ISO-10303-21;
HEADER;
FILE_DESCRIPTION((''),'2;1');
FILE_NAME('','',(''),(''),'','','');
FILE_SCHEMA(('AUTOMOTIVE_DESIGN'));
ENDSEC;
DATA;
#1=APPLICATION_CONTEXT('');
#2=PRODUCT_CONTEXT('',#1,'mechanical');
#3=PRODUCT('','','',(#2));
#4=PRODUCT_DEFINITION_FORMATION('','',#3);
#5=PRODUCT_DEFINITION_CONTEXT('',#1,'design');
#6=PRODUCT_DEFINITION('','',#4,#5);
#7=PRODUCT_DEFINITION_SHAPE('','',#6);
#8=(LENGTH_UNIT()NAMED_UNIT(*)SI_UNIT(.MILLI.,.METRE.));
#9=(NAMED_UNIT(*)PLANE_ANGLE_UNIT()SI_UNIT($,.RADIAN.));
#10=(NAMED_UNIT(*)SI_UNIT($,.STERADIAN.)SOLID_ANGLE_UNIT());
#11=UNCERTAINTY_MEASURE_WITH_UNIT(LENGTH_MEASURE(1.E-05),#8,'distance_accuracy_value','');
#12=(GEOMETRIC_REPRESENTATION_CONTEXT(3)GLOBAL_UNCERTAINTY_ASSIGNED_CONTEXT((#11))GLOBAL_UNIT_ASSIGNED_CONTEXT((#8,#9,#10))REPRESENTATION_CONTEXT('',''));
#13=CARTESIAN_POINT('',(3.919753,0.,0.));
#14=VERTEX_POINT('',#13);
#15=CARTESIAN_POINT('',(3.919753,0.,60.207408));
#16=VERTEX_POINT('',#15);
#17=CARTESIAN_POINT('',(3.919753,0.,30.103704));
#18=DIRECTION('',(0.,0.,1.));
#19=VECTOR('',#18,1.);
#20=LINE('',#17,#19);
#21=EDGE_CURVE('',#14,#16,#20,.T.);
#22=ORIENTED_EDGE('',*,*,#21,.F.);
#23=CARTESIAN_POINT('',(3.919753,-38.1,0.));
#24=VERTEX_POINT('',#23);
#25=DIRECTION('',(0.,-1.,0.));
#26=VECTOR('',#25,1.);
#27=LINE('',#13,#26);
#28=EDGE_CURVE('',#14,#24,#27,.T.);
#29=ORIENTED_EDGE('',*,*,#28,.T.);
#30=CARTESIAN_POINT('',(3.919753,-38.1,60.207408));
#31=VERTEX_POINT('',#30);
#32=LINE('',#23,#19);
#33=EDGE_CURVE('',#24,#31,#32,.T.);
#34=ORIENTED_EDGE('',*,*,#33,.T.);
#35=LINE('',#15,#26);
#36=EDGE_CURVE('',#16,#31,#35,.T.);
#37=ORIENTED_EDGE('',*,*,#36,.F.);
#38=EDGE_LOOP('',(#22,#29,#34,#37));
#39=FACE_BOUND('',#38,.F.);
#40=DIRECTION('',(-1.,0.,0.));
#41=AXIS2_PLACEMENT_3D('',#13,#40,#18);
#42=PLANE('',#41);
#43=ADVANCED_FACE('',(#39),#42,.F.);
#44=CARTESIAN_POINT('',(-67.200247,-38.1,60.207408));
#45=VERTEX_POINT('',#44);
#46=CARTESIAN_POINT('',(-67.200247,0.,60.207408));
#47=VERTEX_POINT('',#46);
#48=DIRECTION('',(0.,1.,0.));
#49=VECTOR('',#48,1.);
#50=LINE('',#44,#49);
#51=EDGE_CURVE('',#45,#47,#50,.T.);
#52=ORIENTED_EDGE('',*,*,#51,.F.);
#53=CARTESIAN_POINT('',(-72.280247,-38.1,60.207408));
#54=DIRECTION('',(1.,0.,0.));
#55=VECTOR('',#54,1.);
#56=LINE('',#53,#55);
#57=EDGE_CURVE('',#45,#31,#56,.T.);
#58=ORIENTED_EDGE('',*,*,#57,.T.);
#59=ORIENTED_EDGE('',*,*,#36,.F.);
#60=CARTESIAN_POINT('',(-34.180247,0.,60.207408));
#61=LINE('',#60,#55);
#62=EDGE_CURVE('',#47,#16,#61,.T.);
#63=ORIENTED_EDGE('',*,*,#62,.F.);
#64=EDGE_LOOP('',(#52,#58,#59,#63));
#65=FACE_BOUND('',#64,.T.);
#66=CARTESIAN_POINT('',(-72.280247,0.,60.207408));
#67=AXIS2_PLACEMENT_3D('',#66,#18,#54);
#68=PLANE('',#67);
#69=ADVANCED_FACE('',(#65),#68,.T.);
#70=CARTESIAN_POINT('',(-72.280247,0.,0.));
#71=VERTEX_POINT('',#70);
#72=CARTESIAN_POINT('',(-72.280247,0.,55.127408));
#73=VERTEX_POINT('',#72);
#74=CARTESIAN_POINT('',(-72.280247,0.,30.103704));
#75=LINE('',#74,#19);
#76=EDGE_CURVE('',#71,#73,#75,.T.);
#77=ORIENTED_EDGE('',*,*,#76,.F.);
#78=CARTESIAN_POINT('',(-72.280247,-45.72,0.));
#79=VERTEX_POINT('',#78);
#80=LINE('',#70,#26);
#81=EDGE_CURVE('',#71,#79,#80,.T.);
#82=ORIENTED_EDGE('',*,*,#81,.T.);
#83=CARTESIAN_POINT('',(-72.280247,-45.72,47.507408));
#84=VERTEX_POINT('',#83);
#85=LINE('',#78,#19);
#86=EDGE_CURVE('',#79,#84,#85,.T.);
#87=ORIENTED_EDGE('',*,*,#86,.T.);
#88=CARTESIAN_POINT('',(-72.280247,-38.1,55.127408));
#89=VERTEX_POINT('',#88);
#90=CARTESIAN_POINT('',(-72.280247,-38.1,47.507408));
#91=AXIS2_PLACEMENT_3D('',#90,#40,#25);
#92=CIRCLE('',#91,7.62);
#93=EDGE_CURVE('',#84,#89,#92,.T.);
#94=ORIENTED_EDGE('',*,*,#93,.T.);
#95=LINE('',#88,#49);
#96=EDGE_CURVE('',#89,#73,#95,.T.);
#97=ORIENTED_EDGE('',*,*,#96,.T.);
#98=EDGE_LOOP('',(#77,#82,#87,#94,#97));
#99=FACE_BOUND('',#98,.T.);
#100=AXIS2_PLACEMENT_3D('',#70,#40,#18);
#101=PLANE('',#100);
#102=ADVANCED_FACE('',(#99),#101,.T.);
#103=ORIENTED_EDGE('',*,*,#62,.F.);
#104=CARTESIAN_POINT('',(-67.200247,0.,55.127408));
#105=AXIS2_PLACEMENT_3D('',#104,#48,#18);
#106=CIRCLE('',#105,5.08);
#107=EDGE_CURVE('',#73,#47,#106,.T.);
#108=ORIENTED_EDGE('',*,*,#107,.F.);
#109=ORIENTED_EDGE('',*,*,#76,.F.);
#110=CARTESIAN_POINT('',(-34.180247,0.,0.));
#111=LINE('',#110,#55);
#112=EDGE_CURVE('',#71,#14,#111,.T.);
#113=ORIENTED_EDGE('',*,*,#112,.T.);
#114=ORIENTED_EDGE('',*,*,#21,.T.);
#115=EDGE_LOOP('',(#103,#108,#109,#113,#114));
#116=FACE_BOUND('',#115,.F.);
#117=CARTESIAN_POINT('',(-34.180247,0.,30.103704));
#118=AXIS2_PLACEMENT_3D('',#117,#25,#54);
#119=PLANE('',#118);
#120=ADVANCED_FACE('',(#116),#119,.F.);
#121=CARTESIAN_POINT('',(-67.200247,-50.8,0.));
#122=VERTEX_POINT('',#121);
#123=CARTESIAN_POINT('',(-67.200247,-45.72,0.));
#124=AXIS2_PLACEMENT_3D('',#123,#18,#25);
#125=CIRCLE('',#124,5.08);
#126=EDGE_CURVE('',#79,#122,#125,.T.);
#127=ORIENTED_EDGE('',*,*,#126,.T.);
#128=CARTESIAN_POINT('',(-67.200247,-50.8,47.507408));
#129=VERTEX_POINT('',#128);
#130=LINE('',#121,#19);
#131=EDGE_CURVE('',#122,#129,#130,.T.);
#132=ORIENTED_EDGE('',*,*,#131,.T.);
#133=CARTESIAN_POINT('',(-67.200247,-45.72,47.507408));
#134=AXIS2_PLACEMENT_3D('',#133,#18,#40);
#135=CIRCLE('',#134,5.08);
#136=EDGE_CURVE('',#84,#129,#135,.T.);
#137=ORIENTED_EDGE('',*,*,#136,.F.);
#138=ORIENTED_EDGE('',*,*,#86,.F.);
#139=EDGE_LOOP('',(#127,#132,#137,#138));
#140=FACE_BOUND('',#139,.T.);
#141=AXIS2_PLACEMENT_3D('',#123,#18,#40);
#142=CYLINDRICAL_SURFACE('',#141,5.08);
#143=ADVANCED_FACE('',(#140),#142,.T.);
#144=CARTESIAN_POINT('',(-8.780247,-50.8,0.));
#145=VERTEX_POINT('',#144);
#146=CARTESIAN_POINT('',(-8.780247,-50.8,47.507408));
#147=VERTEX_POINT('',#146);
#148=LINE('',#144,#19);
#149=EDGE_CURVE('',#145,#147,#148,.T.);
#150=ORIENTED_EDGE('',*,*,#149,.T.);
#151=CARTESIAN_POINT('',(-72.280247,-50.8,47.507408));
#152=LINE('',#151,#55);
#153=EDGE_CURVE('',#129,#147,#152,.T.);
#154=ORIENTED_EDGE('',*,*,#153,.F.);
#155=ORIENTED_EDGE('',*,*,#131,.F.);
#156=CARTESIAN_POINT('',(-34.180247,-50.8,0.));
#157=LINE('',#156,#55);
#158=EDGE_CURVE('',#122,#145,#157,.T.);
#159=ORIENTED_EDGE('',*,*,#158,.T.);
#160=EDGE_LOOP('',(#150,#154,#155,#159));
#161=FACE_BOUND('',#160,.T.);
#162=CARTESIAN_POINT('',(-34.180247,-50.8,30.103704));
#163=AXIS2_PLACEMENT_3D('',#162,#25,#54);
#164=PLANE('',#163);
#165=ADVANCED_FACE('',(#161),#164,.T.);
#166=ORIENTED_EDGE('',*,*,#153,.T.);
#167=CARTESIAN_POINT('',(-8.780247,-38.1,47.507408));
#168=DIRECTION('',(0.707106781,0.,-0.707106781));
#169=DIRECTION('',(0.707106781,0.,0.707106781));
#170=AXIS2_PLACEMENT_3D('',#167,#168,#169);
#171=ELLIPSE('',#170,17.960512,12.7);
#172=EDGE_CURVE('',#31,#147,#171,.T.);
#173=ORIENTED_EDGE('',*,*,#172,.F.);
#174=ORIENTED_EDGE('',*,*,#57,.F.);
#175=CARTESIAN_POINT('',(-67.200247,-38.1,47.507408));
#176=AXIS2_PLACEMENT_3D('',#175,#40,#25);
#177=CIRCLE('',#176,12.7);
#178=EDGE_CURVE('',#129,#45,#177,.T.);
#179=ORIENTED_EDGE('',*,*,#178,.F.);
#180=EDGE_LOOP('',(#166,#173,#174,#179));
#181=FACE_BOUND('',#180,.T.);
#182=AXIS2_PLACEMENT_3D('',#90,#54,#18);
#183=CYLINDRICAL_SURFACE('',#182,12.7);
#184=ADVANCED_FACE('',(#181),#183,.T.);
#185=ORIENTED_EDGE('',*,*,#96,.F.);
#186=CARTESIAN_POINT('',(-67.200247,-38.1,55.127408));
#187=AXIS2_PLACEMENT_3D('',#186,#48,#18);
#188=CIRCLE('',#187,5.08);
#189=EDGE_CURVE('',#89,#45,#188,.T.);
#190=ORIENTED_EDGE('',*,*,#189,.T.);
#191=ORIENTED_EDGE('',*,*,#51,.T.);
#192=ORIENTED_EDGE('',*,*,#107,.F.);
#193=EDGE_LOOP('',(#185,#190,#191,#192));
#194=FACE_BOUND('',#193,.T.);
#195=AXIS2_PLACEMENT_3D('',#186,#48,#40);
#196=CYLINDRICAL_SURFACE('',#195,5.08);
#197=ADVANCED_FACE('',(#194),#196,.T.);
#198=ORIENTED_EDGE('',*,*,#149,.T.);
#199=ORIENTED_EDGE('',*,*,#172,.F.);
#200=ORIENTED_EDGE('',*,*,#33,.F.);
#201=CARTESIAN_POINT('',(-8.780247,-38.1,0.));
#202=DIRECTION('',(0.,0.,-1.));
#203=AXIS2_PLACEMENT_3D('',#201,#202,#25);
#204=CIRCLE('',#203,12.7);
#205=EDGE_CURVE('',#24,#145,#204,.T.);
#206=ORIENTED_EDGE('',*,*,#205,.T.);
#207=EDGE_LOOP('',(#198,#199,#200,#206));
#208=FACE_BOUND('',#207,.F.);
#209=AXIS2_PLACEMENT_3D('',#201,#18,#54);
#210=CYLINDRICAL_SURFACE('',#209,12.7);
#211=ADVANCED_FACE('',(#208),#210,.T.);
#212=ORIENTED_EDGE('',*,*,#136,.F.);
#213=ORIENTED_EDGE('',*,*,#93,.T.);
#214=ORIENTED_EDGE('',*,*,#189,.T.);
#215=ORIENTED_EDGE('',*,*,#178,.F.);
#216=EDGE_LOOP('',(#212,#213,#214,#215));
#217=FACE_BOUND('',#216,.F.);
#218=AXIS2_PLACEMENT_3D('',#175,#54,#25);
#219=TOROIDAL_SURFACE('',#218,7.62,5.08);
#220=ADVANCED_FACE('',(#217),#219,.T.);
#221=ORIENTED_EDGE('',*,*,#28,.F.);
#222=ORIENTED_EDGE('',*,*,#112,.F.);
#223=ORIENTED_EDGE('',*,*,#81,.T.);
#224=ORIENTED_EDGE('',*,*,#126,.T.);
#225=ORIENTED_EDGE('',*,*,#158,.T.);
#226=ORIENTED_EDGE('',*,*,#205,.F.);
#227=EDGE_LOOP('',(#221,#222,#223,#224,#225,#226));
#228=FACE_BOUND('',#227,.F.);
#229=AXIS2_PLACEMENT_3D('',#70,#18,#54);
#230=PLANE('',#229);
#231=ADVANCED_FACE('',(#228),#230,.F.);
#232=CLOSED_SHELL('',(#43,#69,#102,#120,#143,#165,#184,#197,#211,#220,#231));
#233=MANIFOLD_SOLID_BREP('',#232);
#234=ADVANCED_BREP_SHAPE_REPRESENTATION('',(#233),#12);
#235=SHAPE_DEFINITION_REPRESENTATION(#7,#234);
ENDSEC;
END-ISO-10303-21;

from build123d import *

# Parameters (mm, degrees)
F0_W     = 76.2
F0_H     = 60.207408
F1_DEPTH = 50.8
F2_R     = 12.7
F3_R     = 5.08


with BuildPart() as f1:
    # F0 (on Front) → F1 (new body)
    with BuildSketch(Plane.XZ):
        with Locations((-34.180247, 30.103704)):
            Rectangle(F0_W, F0_H)
    extrude(amount=F1_DEPTH)

    # F2
    f2_edges = [f1.edges().sort_by_distance(p)[0] for p in [
        (-34.180247, -50.8, 60.207408),
        (3.919753, -50.8, 30.103704),
    ]]
    fillet(f2_edges, radius=F2_R)

    # F3
    f3_edges = [f1.edges().sort_by_distance(p)[0] for p in [
        (-72.280247, -50.8, 23.753704),
    ]]
    fillet(f3_edges, radius=F3_R)


solid = f1.part
